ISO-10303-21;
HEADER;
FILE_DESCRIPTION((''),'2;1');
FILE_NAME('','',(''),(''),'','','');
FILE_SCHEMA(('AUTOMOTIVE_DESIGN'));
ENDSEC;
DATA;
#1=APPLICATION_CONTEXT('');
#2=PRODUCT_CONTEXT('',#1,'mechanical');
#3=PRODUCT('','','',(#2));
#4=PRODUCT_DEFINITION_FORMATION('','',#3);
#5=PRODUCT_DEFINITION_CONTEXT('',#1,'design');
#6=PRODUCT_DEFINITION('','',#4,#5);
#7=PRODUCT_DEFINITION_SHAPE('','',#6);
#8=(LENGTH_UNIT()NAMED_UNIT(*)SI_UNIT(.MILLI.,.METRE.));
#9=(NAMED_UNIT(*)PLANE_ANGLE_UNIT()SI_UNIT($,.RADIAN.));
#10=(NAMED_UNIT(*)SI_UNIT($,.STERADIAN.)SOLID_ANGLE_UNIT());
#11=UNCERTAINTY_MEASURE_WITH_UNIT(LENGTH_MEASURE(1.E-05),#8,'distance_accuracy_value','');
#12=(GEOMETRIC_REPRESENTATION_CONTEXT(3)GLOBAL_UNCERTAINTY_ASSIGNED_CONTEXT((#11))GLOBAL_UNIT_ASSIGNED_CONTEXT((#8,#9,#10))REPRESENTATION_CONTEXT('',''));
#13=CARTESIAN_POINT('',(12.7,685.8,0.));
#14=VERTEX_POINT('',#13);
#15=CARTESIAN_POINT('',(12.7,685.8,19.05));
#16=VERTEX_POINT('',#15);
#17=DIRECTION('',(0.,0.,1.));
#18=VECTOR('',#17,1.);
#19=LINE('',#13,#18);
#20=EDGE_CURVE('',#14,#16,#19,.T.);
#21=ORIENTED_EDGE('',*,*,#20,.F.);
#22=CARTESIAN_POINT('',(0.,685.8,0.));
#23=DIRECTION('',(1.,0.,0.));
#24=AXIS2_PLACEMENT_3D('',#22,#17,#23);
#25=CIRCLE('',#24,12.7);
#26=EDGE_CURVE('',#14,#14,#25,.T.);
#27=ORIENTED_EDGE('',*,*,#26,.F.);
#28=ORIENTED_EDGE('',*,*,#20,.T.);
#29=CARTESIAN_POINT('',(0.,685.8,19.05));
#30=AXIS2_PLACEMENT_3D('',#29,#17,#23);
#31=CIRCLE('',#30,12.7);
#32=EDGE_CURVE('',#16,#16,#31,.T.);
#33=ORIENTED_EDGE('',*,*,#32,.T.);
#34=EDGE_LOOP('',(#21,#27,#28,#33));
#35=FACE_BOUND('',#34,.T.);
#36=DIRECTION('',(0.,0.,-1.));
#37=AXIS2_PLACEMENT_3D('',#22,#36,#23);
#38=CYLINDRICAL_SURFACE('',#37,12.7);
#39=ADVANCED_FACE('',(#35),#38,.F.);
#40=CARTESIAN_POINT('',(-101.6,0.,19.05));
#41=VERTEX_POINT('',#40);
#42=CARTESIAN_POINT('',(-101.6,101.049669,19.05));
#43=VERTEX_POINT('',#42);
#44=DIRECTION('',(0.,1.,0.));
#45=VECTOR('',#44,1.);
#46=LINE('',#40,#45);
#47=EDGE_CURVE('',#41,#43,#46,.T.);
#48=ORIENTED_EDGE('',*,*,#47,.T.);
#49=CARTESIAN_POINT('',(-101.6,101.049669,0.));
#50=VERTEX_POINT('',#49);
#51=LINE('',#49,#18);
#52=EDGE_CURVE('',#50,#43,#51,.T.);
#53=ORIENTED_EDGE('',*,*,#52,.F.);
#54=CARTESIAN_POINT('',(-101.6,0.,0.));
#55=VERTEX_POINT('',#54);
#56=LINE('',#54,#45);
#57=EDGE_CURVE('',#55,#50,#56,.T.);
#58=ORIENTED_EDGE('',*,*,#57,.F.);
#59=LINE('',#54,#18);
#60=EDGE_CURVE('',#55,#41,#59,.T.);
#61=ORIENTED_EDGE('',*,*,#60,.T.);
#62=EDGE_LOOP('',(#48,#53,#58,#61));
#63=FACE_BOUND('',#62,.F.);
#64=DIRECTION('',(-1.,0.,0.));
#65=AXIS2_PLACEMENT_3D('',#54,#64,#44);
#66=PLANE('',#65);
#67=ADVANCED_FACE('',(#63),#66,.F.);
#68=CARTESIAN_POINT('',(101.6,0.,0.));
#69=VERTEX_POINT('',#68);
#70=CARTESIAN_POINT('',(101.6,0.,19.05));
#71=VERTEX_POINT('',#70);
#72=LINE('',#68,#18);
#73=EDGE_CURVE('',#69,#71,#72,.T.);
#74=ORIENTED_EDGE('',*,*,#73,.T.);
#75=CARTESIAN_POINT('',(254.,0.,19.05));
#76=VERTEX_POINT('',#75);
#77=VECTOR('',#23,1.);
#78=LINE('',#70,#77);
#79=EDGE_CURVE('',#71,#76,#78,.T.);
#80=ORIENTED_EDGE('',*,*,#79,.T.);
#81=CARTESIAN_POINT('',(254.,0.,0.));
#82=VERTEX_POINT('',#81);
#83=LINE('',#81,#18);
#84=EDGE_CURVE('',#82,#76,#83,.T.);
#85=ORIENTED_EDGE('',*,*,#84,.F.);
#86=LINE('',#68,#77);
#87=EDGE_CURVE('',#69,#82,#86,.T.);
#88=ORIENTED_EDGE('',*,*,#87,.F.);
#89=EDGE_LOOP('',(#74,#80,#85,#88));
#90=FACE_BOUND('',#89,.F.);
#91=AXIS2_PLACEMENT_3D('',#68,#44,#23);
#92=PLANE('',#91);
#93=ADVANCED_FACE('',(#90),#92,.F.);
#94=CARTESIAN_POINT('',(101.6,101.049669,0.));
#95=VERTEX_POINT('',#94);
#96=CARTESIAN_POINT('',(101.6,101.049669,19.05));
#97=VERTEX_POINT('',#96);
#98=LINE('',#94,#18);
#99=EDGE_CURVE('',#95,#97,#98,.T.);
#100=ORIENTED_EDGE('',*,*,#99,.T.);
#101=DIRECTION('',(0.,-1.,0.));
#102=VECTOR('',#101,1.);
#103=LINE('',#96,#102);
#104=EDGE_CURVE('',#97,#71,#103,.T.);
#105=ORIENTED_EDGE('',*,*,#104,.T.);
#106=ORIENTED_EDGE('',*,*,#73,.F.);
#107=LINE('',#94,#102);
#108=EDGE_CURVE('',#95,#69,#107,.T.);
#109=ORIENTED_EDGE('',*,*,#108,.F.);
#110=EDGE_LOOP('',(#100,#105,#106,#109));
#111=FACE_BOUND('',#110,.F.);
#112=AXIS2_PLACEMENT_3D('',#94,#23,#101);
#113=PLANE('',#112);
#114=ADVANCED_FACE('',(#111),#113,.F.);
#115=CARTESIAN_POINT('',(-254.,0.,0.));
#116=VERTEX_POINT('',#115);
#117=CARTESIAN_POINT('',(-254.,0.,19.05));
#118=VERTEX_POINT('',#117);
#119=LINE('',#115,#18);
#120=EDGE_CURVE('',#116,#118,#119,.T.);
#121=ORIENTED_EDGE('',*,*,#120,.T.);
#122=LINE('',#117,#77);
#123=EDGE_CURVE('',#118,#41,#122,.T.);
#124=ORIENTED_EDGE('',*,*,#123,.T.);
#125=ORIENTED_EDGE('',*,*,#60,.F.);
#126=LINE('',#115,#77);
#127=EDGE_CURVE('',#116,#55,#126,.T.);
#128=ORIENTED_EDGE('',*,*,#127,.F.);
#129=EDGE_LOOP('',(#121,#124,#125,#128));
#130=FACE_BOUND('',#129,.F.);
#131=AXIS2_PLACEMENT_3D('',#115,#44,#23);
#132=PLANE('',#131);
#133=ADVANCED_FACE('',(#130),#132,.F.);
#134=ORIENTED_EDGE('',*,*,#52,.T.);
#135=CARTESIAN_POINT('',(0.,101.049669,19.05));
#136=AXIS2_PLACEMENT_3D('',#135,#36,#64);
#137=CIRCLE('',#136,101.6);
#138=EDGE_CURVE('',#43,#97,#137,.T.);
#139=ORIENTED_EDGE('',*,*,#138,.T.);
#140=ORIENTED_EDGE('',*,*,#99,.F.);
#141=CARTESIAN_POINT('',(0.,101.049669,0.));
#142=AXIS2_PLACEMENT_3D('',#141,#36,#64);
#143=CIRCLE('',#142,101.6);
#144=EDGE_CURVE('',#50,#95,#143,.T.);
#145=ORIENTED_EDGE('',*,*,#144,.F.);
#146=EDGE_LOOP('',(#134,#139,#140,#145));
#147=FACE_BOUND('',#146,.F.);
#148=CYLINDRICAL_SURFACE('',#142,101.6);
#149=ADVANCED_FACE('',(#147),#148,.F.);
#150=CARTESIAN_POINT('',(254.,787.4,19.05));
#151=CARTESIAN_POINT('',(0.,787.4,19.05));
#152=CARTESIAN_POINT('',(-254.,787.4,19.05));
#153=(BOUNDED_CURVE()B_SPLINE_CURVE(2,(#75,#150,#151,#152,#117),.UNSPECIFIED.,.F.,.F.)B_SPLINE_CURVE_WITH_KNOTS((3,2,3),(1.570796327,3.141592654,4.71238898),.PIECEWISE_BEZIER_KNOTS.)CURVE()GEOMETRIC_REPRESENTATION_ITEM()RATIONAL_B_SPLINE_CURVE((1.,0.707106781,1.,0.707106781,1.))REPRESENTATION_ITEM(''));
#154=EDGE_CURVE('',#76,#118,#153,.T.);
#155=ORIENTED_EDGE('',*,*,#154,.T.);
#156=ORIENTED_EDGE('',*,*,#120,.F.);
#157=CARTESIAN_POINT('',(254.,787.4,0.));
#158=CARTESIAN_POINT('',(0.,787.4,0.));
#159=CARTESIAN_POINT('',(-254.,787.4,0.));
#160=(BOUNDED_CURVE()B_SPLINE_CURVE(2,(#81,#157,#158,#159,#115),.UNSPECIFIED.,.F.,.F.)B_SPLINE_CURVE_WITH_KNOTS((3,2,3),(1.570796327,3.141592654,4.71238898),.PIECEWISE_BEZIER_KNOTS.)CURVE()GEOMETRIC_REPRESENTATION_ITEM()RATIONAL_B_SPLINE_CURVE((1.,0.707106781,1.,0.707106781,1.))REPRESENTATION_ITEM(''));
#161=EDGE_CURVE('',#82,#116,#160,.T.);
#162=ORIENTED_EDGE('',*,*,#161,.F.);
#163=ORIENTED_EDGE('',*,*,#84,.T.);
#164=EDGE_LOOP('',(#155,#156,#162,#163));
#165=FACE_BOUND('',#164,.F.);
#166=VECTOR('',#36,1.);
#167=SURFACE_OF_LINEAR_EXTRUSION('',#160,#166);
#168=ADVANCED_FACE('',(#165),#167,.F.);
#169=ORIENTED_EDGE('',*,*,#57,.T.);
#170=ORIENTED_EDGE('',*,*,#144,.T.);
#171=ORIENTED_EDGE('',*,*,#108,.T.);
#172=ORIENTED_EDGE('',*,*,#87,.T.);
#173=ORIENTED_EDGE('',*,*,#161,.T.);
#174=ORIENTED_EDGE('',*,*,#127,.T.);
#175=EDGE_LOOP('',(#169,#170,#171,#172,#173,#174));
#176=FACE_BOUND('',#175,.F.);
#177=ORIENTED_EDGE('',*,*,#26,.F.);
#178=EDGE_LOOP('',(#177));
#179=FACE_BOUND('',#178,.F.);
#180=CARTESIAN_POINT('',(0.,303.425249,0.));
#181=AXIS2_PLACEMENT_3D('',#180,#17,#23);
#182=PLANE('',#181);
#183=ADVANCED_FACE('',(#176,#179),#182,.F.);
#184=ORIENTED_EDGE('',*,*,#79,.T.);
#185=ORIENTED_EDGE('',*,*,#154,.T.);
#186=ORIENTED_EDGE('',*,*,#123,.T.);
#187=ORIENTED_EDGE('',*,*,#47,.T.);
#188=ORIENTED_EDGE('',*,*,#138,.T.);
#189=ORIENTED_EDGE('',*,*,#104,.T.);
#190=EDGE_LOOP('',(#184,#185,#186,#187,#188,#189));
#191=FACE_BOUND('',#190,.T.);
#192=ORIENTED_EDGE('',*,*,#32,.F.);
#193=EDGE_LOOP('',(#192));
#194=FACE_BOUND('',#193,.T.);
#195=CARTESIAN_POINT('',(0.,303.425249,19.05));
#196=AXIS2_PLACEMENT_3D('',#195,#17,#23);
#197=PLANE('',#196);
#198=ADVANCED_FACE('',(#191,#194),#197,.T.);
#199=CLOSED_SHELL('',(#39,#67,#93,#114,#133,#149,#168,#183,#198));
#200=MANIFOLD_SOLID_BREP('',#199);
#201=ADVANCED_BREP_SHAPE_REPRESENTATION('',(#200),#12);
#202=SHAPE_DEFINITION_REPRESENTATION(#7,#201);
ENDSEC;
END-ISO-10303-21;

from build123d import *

# Parameters (mm, degrees)
F0_R     = 12.7
F1_DEPTH = 19.05


with BuildPart() as f1:
    # F0 (on Top) → F1 (new body)
    with BuildSketch(Plane.XY):
        with BuildLine():
            Line((101.6, 0), (254, 0))
            add(Edge.make_bspline(
                [(254, 0), (254, 787.4), (0, 787.4), (-254, 787.4), (-254, 0)],
                knots=[1.5707963268, 1.5707963268, 1.5707963268, 3.1415926536, 3.1415926536, 4.7123889804, 4.7123889804, 4.7123889804], degree=2, weights=[1, 0.7071067812, 1, 0.7071067812, 1]))
            Line((-254, 0), (-101.6, 0))
            Line((-101.6, 0), (-101.6, 101.0496690869))
            ThreePointArc((-101.6, 101.0496690869), (0, 202.6496690869), (101.6, 101.0496690869))
            Line((101.6, 101.0496690869), (101.6, 0))
        make_face()
        with Locations((0, 685.8)):
            Circle(F0_R, mode=Mode.SUBTRACT)
    extrude(amount=F1_DEPTH)


solid = f1.part
